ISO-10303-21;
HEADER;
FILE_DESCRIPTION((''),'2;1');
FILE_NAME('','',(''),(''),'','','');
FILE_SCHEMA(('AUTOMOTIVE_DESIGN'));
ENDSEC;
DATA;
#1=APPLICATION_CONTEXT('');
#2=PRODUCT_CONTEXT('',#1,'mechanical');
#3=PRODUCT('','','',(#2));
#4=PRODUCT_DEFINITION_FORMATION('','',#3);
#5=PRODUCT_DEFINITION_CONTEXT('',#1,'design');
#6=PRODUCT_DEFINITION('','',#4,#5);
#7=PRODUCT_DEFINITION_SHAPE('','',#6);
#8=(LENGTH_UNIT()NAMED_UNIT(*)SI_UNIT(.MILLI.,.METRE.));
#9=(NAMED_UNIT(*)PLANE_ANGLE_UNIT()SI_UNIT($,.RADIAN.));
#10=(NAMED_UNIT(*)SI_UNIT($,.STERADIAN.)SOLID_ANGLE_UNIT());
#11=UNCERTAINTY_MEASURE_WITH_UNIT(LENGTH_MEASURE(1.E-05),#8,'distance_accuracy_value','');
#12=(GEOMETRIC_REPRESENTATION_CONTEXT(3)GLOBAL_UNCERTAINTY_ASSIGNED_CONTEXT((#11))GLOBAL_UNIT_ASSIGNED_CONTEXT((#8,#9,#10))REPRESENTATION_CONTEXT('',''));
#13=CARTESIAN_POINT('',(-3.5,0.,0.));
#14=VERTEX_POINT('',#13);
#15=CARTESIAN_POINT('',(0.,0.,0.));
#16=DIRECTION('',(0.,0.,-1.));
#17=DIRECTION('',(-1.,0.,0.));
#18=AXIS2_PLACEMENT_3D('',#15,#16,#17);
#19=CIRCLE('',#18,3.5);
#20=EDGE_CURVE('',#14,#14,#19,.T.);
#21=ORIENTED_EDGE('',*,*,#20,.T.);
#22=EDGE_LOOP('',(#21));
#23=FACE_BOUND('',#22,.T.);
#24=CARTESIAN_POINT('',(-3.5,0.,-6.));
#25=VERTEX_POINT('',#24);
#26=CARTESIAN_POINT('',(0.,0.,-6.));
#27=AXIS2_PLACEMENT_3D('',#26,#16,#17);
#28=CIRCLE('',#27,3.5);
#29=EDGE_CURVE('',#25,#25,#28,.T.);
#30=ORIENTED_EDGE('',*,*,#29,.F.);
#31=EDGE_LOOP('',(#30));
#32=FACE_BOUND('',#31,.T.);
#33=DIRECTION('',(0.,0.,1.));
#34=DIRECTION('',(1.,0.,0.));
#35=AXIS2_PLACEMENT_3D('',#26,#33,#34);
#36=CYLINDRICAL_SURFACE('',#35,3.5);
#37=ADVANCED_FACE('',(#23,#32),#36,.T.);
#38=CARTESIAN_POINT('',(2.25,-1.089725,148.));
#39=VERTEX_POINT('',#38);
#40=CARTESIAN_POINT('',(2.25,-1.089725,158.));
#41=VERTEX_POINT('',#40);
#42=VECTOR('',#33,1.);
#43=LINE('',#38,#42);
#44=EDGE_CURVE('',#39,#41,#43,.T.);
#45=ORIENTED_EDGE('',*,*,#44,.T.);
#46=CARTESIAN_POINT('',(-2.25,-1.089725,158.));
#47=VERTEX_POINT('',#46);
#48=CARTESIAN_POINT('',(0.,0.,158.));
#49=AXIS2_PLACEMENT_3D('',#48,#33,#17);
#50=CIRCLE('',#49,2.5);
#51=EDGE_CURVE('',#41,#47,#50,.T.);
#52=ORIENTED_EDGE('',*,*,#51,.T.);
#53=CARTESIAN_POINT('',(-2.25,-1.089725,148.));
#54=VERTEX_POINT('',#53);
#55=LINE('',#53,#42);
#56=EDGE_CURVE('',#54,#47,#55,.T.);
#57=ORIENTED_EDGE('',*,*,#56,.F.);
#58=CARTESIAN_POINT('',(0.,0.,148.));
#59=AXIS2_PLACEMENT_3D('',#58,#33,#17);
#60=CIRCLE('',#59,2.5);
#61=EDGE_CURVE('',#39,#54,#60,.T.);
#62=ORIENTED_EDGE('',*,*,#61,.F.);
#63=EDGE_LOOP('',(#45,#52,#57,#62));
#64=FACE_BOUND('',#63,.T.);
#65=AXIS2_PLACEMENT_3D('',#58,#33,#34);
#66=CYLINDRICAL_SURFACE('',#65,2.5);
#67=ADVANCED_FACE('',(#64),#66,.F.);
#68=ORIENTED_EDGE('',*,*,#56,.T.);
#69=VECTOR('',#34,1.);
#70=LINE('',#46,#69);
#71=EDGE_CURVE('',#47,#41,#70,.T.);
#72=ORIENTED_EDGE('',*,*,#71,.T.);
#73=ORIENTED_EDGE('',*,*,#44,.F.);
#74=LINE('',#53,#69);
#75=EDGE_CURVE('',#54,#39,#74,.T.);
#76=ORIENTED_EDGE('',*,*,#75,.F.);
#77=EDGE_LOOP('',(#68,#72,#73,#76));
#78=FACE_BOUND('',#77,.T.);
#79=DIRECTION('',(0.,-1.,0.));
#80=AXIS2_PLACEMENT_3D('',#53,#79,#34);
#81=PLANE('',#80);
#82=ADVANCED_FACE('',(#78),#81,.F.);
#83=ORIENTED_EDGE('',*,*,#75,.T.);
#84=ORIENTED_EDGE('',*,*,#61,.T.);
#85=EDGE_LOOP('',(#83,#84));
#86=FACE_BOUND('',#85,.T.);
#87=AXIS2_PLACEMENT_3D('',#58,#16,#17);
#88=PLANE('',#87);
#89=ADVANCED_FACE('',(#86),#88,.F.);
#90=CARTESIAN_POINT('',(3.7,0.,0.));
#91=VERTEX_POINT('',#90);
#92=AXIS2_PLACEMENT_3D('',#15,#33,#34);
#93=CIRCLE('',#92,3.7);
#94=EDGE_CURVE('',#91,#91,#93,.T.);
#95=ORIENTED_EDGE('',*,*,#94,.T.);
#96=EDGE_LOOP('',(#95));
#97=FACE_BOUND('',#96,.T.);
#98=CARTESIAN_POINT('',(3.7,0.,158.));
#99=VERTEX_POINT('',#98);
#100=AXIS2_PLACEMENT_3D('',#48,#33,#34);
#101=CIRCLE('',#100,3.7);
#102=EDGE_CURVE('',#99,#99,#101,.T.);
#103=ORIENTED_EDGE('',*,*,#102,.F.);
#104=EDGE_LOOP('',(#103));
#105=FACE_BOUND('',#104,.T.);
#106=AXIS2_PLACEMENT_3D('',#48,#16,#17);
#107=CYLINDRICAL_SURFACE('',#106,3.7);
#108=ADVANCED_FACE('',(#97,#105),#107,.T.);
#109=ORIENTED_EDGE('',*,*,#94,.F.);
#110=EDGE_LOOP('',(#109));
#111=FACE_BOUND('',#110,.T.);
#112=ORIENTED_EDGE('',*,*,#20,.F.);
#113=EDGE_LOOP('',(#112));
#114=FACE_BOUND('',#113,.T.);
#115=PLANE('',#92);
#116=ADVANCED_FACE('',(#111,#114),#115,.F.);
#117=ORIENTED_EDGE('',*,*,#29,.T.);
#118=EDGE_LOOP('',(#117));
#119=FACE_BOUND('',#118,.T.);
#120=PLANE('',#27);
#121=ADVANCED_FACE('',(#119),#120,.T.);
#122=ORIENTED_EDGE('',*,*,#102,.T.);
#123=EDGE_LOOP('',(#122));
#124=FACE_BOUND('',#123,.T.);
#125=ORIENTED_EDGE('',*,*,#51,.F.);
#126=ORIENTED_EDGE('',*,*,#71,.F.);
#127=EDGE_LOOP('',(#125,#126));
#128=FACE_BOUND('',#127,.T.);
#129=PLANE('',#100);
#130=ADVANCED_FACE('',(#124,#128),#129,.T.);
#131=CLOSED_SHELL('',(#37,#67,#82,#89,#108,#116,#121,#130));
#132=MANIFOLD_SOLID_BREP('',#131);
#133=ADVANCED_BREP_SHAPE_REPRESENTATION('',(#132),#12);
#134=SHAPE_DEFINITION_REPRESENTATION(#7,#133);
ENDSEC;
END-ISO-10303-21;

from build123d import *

# Parameters (mm, degrees)
SKETCH1_R           = 3.7
BOSS_EXTRUDE1_DEPTH = 158
SKETCH2_R           = 3.5
BOSS_EXTRUDE2_DEPTH = 6
CUT_EXTRUDE1_DEPTH  = 10


with BuildPart() as part:
    # Sketch1 → Boss-Extrude1 (new body)
    with BuildSketch(Plane.XY):
        Circle(SKETCH1_R)
    extrude(amount=BOSS_EXTRUDE1_DEPTH)

    # Sketch2 → Boss-Extrude2 (add)
    with BuildSketch(Plane(origin=(0, 0, 0), x_dir=(-1, 0, 0), z_dir=(0, 0, -1))):
        Circle(SKETCH2_R)
    extrude(amount=BOSS_EXTRUDE2_DEPTH)

    # Sketch4 → Cut-Extrude1 (cut)
    with BuildSketch(Plane.XY.offset(158)):
        with BuildLine():
            Line((-2.25, -1.089724736), (2.25, -1.089724736))
            ThreePointArc((2.25, -1.089724736), (0, 2.5), (-2.25, -1.089724736))
        make_face()
    extrude(amount=-CUT_EXTRUDE1_DEPTH, mode=Mode.SUBTRACT)


solid = part.part
